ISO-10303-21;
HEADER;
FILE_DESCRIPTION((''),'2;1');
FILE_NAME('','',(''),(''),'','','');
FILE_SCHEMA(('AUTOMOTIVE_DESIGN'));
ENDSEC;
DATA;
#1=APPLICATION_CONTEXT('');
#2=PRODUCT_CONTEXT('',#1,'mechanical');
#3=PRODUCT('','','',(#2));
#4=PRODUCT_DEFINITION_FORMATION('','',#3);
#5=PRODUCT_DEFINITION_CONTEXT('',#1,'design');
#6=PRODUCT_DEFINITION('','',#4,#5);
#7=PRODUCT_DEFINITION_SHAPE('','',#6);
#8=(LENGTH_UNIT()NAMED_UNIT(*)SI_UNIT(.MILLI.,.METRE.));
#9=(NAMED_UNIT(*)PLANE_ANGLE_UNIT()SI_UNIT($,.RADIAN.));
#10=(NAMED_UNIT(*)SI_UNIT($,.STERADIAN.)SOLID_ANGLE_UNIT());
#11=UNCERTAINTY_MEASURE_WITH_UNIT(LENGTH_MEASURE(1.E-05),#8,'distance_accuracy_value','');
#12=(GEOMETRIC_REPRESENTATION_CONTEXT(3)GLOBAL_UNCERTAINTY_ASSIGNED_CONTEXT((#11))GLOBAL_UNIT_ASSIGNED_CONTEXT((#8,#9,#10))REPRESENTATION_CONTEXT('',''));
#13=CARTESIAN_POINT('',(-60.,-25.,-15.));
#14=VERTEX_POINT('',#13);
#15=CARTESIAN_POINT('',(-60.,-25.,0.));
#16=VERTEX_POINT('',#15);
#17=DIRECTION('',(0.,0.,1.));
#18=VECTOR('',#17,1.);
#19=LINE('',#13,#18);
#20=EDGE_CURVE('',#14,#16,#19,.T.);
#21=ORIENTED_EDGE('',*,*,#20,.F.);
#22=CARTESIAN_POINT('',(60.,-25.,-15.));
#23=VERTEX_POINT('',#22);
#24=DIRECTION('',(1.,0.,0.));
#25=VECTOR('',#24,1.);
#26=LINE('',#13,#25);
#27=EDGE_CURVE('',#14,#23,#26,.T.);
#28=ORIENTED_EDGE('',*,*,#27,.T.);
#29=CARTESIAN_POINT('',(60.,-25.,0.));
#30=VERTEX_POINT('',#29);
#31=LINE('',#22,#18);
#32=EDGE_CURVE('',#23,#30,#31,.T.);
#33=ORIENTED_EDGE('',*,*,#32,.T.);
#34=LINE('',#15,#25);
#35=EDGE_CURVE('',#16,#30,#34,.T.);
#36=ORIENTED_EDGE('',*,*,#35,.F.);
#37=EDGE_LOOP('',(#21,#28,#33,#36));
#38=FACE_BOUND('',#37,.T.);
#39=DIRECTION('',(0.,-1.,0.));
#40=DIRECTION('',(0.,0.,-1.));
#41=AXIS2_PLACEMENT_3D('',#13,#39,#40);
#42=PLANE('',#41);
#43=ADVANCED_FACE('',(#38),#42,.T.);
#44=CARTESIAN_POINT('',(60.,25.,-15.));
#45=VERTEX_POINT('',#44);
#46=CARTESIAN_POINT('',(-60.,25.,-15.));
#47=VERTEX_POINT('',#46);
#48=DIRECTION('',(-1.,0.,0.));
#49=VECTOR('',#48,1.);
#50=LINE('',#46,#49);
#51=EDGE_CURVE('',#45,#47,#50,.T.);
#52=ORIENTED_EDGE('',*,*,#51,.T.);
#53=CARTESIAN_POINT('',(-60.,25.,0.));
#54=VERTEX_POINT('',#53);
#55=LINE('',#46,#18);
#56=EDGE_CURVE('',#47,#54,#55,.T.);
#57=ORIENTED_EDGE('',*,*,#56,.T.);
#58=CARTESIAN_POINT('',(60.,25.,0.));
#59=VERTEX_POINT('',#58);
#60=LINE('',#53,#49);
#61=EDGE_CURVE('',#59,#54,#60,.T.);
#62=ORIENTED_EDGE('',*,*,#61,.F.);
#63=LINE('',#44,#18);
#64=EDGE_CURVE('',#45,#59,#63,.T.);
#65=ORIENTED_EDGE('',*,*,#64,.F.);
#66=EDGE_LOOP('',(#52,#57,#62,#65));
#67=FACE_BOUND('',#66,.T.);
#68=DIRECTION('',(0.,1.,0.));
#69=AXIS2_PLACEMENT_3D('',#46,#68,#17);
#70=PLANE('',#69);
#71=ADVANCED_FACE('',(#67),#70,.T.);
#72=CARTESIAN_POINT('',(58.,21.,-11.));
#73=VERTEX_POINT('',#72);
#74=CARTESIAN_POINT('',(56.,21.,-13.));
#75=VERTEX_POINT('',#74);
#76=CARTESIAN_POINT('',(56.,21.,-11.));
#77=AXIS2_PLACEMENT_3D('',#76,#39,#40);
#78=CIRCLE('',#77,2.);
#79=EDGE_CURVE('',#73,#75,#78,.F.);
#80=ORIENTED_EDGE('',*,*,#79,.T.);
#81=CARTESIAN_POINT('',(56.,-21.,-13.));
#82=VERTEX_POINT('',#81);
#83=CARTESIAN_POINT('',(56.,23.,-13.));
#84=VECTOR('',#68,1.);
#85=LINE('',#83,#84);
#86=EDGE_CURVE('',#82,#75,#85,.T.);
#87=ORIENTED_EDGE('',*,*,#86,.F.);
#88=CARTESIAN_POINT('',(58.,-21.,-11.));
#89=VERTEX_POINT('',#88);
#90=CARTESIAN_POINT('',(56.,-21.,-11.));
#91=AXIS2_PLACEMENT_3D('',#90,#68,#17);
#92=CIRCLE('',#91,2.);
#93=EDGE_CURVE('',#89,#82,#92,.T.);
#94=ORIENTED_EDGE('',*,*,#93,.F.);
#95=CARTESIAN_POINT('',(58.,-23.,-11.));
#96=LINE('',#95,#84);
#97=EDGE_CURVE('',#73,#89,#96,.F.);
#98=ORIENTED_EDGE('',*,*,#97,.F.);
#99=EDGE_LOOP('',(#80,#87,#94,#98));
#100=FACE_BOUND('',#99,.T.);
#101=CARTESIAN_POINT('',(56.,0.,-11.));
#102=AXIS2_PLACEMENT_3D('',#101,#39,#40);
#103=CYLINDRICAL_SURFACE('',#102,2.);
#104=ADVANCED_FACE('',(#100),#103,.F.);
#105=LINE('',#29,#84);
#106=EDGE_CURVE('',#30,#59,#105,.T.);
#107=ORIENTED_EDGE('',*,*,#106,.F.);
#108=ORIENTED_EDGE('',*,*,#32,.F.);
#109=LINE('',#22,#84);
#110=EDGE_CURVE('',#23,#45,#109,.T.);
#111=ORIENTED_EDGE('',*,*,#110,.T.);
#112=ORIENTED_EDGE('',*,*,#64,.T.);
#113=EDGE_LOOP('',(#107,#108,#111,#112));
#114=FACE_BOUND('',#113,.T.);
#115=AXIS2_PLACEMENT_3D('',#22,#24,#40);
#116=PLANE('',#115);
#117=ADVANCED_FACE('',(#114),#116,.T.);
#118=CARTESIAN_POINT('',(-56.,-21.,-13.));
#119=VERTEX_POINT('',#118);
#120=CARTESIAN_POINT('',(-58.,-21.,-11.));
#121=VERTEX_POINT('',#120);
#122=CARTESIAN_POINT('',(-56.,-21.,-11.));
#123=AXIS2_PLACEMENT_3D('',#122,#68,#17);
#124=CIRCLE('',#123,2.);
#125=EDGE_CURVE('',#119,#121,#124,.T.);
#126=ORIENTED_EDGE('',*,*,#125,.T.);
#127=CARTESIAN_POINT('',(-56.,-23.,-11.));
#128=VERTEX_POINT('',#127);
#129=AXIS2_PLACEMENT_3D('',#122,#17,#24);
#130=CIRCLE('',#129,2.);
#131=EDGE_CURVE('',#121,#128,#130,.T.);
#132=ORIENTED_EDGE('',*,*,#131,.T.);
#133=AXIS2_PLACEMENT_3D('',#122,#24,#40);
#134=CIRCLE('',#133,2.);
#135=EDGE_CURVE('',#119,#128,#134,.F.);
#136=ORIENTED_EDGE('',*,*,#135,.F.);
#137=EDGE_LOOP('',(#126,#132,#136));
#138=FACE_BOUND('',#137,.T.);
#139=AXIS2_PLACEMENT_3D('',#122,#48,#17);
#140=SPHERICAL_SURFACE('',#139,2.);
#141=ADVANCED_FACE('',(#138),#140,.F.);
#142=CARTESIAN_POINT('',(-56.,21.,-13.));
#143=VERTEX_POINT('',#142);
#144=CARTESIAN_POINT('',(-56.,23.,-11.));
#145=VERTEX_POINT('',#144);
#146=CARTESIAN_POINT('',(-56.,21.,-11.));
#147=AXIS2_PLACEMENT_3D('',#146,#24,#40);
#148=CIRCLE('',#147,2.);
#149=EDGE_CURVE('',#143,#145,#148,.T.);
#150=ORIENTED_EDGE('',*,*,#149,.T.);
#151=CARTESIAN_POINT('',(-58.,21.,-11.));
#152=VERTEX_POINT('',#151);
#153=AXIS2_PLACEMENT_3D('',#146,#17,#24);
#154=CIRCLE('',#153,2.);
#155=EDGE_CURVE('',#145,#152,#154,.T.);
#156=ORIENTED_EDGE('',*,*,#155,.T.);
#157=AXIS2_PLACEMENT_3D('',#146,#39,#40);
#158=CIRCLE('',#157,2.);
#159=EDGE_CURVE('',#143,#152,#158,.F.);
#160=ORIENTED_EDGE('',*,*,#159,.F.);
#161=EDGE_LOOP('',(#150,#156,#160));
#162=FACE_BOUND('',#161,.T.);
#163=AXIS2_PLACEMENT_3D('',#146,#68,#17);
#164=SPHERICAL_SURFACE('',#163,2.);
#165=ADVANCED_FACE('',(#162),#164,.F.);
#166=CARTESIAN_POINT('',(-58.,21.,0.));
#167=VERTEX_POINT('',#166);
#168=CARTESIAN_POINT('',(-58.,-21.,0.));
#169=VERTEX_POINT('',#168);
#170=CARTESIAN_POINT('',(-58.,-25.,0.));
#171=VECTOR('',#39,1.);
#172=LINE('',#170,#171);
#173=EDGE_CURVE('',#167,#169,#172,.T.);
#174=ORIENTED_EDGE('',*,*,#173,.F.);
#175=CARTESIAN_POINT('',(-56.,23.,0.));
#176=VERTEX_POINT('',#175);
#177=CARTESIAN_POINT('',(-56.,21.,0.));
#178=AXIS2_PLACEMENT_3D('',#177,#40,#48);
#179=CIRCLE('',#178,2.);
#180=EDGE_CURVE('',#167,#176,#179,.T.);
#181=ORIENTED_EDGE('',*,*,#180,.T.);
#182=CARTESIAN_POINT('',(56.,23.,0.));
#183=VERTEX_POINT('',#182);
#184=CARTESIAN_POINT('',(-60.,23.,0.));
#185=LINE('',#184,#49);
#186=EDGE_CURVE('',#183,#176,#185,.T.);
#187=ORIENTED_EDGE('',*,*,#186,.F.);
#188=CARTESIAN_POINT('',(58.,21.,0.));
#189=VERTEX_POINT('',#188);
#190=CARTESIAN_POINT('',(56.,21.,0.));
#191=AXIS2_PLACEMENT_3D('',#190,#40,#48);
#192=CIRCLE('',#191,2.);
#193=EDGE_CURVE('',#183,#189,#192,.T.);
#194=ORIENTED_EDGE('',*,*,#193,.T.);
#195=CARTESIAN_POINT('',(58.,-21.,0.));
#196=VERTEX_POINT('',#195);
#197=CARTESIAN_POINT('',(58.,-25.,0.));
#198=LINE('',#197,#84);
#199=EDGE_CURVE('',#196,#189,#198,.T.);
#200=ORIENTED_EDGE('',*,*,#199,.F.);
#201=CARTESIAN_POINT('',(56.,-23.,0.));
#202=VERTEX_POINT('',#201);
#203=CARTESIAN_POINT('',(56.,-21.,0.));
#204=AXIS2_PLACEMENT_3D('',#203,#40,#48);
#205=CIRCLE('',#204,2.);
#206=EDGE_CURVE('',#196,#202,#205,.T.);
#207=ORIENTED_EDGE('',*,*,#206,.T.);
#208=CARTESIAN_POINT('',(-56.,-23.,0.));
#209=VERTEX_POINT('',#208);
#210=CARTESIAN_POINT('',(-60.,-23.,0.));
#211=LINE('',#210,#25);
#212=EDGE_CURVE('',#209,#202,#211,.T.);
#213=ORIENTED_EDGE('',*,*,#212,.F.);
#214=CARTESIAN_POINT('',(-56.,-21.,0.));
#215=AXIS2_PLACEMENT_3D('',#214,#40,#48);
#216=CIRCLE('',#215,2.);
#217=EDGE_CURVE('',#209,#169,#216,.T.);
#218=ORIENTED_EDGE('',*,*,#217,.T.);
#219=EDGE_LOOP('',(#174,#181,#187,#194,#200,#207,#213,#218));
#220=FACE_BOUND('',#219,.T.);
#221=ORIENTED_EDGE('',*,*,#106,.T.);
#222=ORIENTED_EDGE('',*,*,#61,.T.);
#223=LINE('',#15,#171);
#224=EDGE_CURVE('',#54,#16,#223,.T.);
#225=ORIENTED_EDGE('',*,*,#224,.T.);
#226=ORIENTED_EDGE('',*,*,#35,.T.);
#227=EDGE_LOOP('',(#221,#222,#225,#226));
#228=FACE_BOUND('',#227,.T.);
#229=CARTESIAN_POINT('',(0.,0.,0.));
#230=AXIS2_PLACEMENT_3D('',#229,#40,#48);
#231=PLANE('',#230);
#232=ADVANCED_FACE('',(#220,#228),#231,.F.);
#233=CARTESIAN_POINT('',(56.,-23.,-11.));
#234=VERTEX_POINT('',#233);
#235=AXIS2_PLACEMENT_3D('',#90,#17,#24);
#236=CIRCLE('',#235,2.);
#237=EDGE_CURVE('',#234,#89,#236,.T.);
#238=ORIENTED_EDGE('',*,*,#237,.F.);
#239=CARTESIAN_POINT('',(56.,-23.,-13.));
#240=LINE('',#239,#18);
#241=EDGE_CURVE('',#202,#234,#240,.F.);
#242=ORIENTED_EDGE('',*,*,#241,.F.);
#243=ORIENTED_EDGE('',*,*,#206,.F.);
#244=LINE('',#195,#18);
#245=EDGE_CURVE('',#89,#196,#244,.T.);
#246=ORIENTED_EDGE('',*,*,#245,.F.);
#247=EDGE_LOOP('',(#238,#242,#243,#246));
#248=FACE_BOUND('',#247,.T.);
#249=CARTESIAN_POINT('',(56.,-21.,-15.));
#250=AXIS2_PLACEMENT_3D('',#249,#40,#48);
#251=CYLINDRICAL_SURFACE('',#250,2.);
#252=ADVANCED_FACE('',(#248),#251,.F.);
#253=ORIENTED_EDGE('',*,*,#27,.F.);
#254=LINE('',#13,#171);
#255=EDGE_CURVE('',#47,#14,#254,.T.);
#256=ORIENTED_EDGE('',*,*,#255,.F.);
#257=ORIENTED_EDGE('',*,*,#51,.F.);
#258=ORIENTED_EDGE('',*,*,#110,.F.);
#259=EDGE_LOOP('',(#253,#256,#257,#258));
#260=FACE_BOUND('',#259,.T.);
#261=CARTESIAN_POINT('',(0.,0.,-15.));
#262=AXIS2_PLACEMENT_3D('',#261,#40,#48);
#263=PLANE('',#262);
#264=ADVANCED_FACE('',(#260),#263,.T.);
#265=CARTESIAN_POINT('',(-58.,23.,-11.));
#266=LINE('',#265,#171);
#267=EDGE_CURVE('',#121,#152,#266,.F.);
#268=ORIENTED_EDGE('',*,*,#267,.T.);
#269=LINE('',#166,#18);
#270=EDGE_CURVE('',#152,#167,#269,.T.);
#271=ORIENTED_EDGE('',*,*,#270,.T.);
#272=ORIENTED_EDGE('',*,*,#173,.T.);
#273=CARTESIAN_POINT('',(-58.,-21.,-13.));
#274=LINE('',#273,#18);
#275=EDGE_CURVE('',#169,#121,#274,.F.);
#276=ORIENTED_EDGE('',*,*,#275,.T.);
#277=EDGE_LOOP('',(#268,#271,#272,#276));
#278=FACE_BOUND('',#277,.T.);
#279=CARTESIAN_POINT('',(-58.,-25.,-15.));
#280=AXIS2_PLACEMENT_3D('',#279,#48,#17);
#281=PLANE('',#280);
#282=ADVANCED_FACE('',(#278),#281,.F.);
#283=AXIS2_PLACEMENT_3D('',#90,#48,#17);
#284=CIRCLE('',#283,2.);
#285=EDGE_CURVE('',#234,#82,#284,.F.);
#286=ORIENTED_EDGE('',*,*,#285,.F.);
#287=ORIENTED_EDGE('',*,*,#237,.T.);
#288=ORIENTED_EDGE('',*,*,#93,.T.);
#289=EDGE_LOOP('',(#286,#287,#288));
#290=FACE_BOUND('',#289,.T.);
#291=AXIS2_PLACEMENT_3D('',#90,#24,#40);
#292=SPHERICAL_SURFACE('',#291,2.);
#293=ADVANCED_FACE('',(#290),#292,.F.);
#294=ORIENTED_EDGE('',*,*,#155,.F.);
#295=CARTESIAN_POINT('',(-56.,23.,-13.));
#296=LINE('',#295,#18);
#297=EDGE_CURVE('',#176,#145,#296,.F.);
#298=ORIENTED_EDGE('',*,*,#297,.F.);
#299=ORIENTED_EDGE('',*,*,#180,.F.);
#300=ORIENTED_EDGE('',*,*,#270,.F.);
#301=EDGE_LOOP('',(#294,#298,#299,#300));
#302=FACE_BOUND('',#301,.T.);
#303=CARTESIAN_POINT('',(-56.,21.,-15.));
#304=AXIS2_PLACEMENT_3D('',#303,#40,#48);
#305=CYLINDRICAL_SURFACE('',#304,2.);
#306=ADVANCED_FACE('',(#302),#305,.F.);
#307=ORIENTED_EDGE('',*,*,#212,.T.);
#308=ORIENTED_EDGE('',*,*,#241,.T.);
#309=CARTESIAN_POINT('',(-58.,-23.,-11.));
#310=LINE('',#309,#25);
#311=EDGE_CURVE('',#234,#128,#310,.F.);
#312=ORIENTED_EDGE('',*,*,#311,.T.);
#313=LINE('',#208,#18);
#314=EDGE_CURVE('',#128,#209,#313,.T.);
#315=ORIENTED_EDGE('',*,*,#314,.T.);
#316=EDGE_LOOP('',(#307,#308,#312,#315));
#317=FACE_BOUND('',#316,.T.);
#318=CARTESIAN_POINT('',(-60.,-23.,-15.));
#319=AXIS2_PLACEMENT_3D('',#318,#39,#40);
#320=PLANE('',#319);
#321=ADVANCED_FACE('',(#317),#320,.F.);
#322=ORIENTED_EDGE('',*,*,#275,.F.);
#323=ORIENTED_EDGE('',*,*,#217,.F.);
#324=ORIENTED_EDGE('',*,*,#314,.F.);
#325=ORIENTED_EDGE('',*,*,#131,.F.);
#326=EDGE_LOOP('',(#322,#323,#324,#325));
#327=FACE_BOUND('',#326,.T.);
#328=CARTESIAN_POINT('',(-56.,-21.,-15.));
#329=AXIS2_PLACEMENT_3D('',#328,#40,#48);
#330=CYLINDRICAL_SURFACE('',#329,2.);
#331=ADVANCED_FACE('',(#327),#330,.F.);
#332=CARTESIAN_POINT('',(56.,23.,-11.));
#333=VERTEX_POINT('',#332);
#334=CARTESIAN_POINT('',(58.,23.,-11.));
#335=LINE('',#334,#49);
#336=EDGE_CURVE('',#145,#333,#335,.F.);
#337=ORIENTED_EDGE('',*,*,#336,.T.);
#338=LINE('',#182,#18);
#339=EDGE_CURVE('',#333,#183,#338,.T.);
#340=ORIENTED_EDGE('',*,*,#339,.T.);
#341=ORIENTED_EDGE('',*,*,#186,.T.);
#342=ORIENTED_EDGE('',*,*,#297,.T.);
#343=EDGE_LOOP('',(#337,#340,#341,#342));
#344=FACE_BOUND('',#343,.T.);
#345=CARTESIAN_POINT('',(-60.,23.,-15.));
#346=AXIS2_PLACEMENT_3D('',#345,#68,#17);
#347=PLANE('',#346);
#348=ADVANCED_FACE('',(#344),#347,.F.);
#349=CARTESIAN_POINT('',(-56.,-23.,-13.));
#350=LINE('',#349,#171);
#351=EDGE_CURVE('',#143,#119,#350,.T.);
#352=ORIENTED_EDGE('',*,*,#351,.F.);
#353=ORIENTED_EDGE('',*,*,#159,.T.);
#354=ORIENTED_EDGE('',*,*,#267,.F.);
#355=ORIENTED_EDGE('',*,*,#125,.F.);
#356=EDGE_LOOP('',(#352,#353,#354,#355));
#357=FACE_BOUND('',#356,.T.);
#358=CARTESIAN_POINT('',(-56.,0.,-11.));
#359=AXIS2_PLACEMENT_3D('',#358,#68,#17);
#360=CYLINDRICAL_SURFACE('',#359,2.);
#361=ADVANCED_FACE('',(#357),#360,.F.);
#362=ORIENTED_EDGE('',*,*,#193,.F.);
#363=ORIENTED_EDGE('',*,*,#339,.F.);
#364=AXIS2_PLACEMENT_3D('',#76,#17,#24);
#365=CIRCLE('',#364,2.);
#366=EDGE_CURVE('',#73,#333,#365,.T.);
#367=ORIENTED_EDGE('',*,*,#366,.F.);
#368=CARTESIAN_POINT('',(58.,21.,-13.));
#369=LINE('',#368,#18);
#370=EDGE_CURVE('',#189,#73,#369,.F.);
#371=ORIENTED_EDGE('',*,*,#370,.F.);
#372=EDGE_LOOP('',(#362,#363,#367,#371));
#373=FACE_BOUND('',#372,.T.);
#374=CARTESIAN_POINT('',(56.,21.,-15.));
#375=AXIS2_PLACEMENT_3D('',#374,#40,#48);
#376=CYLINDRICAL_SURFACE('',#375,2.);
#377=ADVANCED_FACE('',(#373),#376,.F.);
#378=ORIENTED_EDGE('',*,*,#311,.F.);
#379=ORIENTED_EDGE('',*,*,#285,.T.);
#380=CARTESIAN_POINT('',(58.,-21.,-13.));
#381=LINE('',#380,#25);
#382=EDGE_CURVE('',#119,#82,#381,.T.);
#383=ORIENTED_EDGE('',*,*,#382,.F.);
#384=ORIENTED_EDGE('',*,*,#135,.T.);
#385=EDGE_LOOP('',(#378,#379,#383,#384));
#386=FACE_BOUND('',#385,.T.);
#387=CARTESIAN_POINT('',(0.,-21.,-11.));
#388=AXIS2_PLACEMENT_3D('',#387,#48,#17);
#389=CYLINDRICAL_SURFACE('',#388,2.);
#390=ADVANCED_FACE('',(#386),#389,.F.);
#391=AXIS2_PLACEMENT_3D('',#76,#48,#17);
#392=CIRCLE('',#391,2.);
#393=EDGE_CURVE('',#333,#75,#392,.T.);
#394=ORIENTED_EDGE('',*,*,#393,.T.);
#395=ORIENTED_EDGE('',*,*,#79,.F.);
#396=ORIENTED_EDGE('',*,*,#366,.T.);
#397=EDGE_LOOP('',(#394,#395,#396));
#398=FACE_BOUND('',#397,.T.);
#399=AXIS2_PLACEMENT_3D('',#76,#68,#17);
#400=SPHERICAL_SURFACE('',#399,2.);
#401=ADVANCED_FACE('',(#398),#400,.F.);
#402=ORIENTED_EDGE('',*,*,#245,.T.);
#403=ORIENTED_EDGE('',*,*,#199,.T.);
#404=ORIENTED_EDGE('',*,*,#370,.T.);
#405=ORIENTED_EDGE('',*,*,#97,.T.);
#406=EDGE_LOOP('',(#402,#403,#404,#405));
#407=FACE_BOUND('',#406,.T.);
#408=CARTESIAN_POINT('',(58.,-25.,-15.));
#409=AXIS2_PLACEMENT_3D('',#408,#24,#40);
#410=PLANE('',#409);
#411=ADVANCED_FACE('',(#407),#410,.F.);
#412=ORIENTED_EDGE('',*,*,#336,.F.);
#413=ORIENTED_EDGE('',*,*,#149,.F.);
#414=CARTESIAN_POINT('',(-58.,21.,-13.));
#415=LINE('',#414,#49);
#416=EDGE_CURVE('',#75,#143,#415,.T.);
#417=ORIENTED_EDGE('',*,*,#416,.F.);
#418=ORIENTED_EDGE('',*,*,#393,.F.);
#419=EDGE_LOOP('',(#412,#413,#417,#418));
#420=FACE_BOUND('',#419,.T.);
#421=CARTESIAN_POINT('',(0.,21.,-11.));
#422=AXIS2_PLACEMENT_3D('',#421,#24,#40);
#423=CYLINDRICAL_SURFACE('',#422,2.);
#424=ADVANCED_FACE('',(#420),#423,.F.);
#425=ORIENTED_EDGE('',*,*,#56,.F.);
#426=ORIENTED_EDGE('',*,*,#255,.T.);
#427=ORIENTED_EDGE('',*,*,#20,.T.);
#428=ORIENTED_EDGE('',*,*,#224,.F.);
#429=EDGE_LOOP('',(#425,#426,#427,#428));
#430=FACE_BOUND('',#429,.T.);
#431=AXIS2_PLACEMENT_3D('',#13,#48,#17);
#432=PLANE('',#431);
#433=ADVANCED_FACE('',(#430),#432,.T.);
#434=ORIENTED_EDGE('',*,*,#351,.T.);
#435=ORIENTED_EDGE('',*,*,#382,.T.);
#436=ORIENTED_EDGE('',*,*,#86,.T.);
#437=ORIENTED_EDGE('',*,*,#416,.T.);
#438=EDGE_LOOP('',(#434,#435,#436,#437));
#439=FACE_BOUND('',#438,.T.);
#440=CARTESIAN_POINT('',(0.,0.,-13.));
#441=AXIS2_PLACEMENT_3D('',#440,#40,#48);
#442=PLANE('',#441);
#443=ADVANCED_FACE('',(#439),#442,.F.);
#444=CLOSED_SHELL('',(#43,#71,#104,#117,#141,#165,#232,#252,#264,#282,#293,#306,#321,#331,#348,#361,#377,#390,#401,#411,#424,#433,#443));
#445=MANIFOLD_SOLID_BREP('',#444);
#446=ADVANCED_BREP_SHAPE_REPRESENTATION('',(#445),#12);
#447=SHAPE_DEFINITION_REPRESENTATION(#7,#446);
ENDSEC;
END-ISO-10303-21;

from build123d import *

# Parameters (mm, degrees)
SKETCH1_W           = 120
SKETCH1_H           = 50
BOSS_EXTRUDE1_DEPTH = 15
SHELL1_T            = -2
FILLET1_R           = 2


with BuildPart() as part:
    # Sketch1 → Boss-Extrude1 (new body)
    with BuildSketch(Plane.XY):
        Rectangle(SKETCH1_W, SKETCH1_H)
    extrude(amount=-BOSS_EXTRUDE1_DEPTH)

    # Shell1
    shell1_openings = [part.faces().sort_by_distance(p)[0] for p in [
        (0, 0, 0),
    ]]
    offset(amount=SHELL1_T, openings=shell1_openings, kind=Kind.INTERSECTION)

    # Fillet1
    fillet1_edges = [part.edges().sort_by_distance(p)[0] for p in [
        (58, 0, -13),
        (58, 23, -6.5),
        (0, -23, -13),
        (58, -23, -6.5),
        (-58, 0, -13),
        (-58, -23, -6.5),
        (0, 23, -13),
        (-58, 23, -6.5),
    ]]
    fillet(fillet1_edges, radius=FILLET1_R)


solid = part.part
